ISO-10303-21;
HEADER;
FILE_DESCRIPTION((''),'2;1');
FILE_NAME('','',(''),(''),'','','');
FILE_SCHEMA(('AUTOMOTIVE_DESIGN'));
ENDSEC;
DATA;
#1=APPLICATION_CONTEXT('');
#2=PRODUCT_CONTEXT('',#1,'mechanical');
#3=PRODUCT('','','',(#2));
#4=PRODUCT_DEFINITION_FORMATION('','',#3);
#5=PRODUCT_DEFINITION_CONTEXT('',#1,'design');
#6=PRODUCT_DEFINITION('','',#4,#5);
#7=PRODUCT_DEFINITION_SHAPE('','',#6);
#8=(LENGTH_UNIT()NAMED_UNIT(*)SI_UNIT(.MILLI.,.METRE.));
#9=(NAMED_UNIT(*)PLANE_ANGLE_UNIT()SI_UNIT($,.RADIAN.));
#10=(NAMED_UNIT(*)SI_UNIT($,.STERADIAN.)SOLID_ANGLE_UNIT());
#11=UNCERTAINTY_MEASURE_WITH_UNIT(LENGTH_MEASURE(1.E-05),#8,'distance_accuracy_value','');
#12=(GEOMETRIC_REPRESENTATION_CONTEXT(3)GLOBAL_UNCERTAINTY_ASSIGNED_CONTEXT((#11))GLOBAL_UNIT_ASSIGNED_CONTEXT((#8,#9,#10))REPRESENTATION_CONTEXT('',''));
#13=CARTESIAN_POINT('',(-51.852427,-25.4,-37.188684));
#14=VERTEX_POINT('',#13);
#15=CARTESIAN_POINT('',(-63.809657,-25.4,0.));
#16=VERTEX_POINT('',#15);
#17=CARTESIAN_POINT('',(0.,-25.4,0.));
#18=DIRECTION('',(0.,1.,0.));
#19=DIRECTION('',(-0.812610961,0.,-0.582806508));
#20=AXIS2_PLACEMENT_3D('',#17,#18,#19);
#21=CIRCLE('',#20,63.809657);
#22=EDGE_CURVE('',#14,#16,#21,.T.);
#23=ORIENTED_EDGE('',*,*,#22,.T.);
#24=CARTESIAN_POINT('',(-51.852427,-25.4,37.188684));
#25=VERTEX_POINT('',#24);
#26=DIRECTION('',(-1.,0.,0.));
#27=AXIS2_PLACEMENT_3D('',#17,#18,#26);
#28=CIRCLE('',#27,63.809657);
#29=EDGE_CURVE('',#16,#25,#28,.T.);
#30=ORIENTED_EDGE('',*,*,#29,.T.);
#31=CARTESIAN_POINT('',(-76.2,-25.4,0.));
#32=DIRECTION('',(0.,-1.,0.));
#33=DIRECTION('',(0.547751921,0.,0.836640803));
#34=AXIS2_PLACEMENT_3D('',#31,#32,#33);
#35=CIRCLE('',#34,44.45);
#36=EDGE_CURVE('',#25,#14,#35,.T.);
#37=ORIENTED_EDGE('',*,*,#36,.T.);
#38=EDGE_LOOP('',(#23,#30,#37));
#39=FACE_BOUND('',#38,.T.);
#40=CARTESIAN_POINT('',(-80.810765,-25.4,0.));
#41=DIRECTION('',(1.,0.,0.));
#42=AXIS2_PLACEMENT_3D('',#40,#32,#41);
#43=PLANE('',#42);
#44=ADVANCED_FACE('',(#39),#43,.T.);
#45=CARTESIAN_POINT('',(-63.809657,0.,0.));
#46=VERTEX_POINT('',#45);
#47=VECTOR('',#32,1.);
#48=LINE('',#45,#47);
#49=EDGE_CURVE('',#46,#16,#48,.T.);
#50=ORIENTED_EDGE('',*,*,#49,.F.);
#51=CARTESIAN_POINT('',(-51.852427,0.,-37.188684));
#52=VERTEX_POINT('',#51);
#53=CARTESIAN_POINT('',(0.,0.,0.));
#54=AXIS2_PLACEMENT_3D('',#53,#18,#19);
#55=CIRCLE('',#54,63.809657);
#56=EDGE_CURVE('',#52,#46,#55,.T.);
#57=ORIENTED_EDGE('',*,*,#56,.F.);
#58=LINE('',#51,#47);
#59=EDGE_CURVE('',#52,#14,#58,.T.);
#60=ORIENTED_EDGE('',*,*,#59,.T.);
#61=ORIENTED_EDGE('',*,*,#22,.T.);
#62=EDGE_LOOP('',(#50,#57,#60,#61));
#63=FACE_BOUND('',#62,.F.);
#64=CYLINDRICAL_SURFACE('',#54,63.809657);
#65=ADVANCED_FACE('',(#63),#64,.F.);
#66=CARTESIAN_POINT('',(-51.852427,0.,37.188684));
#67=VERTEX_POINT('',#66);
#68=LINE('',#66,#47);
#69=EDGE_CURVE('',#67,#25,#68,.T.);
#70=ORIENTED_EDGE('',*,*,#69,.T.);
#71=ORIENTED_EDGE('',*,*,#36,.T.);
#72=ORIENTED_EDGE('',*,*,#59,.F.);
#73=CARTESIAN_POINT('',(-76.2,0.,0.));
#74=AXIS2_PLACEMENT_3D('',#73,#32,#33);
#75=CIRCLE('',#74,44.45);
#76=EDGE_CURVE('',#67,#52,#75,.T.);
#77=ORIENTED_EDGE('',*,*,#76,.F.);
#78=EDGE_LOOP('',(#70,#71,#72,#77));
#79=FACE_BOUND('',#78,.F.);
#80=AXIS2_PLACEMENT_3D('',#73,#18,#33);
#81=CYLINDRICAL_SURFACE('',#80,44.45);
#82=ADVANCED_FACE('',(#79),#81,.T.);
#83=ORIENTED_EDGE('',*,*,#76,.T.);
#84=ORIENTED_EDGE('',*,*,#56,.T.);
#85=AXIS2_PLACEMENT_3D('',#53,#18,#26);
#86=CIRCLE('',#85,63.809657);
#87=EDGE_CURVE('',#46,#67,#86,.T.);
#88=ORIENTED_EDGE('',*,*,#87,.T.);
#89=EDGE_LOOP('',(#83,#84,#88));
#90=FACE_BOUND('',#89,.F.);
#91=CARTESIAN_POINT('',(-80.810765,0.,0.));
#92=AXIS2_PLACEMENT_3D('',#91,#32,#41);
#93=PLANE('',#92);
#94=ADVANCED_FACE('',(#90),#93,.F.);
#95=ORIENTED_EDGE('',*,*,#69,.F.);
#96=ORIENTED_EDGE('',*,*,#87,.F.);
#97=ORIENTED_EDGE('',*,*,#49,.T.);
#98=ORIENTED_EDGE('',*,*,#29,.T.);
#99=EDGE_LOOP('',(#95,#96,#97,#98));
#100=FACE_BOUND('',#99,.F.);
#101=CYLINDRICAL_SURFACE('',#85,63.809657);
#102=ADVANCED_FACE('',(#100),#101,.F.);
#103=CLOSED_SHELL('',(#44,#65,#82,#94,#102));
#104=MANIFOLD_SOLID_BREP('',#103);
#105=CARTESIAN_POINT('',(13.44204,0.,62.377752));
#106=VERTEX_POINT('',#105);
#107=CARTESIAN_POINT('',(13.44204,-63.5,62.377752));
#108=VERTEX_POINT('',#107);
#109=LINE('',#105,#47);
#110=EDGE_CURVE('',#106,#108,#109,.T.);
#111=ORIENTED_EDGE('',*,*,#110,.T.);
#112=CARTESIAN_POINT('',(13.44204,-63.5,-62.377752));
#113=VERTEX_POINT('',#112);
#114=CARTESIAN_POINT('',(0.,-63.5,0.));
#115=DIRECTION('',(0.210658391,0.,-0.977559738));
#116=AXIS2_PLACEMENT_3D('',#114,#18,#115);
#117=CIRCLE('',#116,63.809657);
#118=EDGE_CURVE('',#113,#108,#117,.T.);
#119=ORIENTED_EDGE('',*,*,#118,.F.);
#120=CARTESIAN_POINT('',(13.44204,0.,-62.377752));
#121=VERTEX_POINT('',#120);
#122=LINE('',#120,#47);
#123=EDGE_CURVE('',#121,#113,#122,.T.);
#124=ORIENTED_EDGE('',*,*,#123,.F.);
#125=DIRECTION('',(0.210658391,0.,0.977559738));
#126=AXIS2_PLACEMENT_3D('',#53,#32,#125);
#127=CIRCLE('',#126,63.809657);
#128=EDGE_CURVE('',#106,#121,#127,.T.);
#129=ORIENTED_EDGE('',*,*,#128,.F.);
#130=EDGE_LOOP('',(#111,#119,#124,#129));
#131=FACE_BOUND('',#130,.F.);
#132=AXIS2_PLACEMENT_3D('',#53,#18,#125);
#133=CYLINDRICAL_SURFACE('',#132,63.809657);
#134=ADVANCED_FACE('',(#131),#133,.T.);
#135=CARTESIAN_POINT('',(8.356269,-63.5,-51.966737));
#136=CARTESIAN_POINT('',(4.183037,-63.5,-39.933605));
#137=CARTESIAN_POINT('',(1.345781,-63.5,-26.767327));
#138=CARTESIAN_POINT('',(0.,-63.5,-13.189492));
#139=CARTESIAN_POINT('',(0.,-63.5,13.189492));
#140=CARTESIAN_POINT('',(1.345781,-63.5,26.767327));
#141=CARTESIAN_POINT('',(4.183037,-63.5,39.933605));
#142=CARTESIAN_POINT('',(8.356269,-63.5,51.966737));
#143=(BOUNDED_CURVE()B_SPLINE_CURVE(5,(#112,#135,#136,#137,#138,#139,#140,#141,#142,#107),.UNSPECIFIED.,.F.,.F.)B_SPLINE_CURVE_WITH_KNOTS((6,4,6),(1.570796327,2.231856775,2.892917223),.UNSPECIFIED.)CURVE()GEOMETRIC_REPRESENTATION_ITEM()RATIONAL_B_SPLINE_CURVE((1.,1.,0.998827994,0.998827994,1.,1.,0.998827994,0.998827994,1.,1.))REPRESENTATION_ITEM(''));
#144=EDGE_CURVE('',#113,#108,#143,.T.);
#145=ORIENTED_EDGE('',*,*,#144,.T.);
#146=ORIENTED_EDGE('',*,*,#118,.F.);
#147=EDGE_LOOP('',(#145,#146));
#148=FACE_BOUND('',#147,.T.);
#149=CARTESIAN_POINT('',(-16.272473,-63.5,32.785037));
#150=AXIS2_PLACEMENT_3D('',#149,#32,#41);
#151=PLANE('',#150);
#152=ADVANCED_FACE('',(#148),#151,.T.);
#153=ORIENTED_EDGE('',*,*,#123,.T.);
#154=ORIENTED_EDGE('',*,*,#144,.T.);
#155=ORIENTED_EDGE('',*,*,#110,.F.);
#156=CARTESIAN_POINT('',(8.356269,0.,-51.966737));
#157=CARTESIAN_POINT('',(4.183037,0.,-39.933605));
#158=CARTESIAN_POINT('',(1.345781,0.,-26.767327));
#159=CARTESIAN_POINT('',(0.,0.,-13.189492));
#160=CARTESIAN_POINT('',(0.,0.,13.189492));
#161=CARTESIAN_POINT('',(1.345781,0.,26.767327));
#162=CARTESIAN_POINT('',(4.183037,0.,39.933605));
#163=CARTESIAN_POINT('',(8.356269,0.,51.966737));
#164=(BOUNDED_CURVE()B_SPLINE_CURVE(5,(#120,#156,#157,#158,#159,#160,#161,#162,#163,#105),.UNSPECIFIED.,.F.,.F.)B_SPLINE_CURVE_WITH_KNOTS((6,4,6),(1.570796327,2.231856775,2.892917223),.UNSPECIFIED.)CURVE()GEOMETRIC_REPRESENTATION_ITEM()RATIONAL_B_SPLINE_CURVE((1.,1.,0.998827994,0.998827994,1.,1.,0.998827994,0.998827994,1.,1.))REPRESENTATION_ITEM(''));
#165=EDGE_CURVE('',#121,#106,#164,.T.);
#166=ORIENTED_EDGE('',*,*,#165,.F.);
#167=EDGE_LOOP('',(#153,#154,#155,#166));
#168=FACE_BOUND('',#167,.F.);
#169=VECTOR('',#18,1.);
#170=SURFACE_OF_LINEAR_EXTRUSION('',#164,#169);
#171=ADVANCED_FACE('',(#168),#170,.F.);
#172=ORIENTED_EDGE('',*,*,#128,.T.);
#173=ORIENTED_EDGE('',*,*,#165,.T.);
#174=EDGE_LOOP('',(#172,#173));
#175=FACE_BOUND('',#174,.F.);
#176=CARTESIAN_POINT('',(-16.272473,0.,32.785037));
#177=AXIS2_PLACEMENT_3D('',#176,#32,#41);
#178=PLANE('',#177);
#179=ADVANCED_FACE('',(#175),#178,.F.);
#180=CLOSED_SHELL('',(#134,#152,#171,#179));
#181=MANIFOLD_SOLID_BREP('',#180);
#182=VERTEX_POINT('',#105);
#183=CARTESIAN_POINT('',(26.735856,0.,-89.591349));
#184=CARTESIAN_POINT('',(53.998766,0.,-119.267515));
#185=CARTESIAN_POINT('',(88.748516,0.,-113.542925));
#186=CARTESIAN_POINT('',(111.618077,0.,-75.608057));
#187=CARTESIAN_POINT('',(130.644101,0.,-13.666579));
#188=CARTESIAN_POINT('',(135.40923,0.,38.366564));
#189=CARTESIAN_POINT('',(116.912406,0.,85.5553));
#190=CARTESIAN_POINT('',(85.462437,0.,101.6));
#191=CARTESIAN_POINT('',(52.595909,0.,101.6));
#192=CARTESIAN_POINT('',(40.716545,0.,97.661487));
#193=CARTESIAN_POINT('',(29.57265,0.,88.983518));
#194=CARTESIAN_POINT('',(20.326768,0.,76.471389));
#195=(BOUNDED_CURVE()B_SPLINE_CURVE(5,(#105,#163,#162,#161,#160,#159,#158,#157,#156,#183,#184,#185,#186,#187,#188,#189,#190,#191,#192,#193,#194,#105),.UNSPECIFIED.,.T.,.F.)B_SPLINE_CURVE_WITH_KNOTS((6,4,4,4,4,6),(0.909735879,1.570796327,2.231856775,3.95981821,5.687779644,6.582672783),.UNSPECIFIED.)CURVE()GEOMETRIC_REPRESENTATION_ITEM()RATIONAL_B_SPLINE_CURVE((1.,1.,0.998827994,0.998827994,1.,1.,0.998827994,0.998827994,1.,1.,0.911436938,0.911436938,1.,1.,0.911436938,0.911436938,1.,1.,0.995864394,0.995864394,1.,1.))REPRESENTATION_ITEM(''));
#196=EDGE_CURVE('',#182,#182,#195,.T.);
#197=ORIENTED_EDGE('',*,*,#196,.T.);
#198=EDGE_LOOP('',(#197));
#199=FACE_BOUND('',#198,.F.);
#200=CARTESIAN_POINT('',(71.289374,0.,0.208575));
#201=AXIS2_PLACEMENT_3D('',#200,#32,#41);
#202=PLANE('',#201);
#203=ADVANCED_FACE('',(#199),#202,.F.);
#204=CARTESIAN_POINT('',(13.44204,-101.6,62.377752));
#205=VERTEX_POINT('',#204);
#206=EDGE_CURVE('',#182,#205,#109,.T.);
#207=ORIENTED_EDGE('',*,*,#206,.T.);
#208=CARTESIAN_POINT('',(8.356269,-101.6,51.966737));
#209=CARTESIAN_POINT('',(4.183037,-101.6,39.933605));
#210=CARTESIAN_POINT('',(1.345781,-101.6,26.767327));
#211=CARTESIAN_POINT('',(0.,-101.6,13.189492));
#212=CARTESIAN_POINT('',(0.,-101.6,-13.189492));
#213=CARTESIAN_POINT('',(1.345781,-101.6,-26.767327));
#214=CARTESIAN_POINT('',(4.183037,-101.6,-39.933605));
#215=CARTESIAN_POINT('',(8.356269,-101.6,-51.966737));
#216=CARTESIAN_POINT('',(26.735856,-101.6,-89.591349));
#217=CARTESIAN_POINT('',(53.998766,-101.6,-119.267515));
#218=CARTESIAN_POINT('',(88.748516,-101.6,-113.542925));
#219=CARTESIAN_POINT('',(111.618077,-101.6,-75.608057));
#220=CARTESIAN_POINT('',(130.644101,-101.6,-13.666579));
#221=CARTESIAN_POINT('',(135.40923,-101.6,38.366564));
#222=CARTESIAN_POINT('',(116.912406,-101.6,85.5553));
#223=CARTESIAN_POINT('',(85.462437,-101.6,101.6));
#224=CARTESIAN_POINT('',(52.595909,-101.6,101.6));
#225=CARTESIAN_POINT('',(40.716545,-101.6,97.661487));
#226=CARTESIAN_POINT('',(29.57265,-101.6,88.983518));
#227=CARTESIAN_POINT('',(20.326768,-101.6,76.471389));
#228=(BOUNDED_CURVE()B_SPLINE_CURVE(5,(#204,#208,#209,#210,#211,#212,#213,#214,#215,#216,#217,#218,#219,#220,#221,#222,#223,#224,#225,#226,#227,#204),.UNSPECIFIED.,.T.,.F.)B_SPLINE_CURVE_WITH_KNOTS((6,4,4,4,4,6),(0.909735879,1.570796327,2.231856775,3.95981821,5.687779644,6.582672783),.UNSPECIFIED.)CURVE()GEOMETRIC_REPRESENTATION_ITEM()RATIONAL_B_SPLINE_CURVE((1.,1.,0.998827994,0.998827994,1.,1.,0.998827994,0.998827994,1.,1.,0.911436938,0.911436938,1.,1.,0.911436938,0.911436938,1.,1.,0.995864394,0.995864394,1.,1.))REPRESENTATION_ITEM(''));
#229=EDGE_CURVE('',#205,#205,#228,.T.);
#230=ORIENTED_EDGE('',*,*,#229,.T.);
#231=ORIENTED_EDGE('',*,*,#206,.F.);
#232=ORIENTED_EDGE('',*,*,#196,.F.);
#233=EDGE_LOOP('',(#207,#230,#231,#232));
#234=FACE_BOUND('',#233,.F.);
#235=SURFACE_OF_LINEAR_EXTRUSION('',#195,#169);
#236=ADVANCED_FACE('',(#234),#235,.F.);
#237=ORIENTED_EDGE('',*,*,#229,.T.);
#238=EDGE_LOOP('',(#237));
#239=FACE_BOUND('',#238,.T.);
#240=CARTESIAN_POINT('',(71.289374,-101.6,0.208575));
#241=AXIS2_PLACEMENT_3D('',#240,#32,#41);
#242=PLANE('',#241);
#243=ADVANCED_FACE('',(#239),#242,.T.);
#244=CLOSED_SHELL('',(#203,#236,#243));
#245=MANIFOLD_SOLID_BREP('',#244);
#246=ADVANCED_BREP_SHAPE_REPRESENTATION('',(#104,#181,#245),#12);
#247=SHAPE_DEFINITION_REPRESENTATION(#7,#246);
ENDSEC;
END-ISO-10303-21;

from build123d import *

# Parameters (mm, degrees)
F1_DEPTH = 25.4
F2_DEPTH = 63.5
F3_DEPTH = 101.6


with BuildPart() as f1:
    # F0 (on Front) → F1 (new body)
    with BuildSketch(Plane.XZ):
        with BuildLine():
            ThreePointArc((-63.8096574991, 0), (-60.7468435556, 19.531855728), (-51.8524271007, 37.1886836809))
            ThreePointArc((-51.8524271007, 37.1886836809), (-120.65, 0), (-51.8524271007, -37.1886836809))
            ThreePointArc((-51.8524271007, -37.1886836809), (-60.7468435556, -19.531855728), (-63.8096574991, 0))
        make_face()
    extrude(amount=F1_DEPTH)


with BuildPart() as f2:
    # F0 (on Front) → F2 (new body)
    with BuildSketch(Plane.XZ):
        with BuildLine():
            Line((-31.75, 0), (0, 0))
            add(Edge.make_bspline(
                [(13.4420397932, 62.3777520944), (0, 34.860728543), (0, 0)],
                knots=[0.9097358786, 0.9097358786, 0.9097358786, 1.5707963268, 1.5707963268, 1.5707963268], degree=2, weights=[1, 0.9458703951, 1]))
            ThreePointArc((13.4420397932, 62.3777520944), (-22.9665355499, 59.5332733435), (-51.8524271007, 37.1886836809))
            ThreePointArc((-51.8524271007, 37.1886836809), (-37.0972372116, 21.1370868928), (-31.75, 0))
        make_face()
        with BuildLine():
            add(Edge.make_bspline(
                [(0, 0), (0, -34.860728543), (13.4420397932, -62.3777520944)],
                knots=[1.5707963268, 1.5707963268, 1.5707963268, 2.231856775, 2.231856775, 2.231856775], degree=2, weights=[1, 0.9458703951, 1]))
            Line((0, 0), (-31.75, 0))
            ThreePointArc((-31.75, 0), (-37.0972372116, -21.1370868928), (-51.8524271007, -37.1886836809))
            ThreePointArc((-51.8524271007, -37.1886836809), (-22.9665355499, -59.5332733435), (13.4420397932, -62.3777520944))
        make_face()
        with BuildLine():
            ThreePointArc((-51.8524271007, -37.1886836809), (-37.0972372116, -21.1370868928), (-31.75, 0))
            Line((-31.75, 0), (-63.5, 0))
            Line((-63.5, 0), (-63.8096574991, 0))
            ThreePointArc((-63.8096574991, 0), (-60.7468435556, -19.531855728), (-51.8524271007, -37.1886836809))
        make_face()
        with BuildLine():
            Line((-63.5, 0), (-31.75, 0))
            ThreePointArc((-31.75, 0), (-37.0972372116, 21.1370868928), (-51.8524271007, 37.1886836809))
            ThreePointArc((-51.8524271007, 37.1886836809), (-60.7468435556, 19.531855728), (-63.8096574991, 0))
            Line((-63.8096574991, 0), (-63.5, 0))
        make_face()
    extrude(amount=F2_DEPTH)


with BuildPart() as f3:
    # F0 (on Front) → F3 (new body)
    with BuildSketch(Plane.XZ):
        with BuildLine():
            add(Edge.make_bspline(
                [(63.8096574991, 101.6), (32.6020705334, 101.6), (13.4420397932, 62.3777520944)],
                knots=[0, 0, 0, 0.9097358786, 0.9097358786, 0.9097358786], degree=2, weights=[1, 0.898319056, 1]))
            ThreePointArc((13.4420397932, 62.3777520944), (49.6457669164, 40.0870330335), (63.8096574991, 0))
            ThreePointArc((63.8096574991, 0), (49.6457669164, -40.0870330335), (13.4420397932, -62.3777520944))
            add(Edge.make_bspline(
                [(13.4420397932, -62.3777520944), (76.2126455669, -190.8746367924), (121.1310887901, -44.6373183962), (166.0495320133, 101.6), (63.8096574991, 101.6)],
                knots=[2.231856775, 2.231856775, 2.231856775, 4.2575210411, 4.2575210411, 6.2831853072, 6.2831853072, 6.2831853072], degree=2, weights=[1, 0.5294602511, 1, 0.5294602511, 1]))
        make_face()
        with BuildLine():
            add(Edge.make_bspline(
                [(13.4420397932, 62.3777520944), (0, 34.860728543), (0, 0)],
                knots=[0.9097358786, 0.9097358786, 0.9097358786, 1.5707963268, 1.5707963268, 1.5707963268], degree=2, weights=[1, 0.9458703951, 1]))
            add(Edge.make_bspline(
                [(0, 0), (0, -34.860728543), (13.4420397932, -62.3777520944)],
                knots=[1.5707963268, 1.5707963268, 1.5707963268, 2.231856775, 2.231856775, 2.231856775], degree=2, weights=[1, 0.9458703951, 1]))
            ThreePointArc((13.4420397932, -62.3777520944), (49.6457669164, -40.0870330335), (63.8096574991, 0))
            ThreePointArc((63.8096574991, 0), (49.6457669164, 40.0870330335), (13.4420397932, 62.3777520944))
        make_face()
    extrude(amount=F3_DEPTH)


solid = Compound([f1.part, f2.part, f3.part])
